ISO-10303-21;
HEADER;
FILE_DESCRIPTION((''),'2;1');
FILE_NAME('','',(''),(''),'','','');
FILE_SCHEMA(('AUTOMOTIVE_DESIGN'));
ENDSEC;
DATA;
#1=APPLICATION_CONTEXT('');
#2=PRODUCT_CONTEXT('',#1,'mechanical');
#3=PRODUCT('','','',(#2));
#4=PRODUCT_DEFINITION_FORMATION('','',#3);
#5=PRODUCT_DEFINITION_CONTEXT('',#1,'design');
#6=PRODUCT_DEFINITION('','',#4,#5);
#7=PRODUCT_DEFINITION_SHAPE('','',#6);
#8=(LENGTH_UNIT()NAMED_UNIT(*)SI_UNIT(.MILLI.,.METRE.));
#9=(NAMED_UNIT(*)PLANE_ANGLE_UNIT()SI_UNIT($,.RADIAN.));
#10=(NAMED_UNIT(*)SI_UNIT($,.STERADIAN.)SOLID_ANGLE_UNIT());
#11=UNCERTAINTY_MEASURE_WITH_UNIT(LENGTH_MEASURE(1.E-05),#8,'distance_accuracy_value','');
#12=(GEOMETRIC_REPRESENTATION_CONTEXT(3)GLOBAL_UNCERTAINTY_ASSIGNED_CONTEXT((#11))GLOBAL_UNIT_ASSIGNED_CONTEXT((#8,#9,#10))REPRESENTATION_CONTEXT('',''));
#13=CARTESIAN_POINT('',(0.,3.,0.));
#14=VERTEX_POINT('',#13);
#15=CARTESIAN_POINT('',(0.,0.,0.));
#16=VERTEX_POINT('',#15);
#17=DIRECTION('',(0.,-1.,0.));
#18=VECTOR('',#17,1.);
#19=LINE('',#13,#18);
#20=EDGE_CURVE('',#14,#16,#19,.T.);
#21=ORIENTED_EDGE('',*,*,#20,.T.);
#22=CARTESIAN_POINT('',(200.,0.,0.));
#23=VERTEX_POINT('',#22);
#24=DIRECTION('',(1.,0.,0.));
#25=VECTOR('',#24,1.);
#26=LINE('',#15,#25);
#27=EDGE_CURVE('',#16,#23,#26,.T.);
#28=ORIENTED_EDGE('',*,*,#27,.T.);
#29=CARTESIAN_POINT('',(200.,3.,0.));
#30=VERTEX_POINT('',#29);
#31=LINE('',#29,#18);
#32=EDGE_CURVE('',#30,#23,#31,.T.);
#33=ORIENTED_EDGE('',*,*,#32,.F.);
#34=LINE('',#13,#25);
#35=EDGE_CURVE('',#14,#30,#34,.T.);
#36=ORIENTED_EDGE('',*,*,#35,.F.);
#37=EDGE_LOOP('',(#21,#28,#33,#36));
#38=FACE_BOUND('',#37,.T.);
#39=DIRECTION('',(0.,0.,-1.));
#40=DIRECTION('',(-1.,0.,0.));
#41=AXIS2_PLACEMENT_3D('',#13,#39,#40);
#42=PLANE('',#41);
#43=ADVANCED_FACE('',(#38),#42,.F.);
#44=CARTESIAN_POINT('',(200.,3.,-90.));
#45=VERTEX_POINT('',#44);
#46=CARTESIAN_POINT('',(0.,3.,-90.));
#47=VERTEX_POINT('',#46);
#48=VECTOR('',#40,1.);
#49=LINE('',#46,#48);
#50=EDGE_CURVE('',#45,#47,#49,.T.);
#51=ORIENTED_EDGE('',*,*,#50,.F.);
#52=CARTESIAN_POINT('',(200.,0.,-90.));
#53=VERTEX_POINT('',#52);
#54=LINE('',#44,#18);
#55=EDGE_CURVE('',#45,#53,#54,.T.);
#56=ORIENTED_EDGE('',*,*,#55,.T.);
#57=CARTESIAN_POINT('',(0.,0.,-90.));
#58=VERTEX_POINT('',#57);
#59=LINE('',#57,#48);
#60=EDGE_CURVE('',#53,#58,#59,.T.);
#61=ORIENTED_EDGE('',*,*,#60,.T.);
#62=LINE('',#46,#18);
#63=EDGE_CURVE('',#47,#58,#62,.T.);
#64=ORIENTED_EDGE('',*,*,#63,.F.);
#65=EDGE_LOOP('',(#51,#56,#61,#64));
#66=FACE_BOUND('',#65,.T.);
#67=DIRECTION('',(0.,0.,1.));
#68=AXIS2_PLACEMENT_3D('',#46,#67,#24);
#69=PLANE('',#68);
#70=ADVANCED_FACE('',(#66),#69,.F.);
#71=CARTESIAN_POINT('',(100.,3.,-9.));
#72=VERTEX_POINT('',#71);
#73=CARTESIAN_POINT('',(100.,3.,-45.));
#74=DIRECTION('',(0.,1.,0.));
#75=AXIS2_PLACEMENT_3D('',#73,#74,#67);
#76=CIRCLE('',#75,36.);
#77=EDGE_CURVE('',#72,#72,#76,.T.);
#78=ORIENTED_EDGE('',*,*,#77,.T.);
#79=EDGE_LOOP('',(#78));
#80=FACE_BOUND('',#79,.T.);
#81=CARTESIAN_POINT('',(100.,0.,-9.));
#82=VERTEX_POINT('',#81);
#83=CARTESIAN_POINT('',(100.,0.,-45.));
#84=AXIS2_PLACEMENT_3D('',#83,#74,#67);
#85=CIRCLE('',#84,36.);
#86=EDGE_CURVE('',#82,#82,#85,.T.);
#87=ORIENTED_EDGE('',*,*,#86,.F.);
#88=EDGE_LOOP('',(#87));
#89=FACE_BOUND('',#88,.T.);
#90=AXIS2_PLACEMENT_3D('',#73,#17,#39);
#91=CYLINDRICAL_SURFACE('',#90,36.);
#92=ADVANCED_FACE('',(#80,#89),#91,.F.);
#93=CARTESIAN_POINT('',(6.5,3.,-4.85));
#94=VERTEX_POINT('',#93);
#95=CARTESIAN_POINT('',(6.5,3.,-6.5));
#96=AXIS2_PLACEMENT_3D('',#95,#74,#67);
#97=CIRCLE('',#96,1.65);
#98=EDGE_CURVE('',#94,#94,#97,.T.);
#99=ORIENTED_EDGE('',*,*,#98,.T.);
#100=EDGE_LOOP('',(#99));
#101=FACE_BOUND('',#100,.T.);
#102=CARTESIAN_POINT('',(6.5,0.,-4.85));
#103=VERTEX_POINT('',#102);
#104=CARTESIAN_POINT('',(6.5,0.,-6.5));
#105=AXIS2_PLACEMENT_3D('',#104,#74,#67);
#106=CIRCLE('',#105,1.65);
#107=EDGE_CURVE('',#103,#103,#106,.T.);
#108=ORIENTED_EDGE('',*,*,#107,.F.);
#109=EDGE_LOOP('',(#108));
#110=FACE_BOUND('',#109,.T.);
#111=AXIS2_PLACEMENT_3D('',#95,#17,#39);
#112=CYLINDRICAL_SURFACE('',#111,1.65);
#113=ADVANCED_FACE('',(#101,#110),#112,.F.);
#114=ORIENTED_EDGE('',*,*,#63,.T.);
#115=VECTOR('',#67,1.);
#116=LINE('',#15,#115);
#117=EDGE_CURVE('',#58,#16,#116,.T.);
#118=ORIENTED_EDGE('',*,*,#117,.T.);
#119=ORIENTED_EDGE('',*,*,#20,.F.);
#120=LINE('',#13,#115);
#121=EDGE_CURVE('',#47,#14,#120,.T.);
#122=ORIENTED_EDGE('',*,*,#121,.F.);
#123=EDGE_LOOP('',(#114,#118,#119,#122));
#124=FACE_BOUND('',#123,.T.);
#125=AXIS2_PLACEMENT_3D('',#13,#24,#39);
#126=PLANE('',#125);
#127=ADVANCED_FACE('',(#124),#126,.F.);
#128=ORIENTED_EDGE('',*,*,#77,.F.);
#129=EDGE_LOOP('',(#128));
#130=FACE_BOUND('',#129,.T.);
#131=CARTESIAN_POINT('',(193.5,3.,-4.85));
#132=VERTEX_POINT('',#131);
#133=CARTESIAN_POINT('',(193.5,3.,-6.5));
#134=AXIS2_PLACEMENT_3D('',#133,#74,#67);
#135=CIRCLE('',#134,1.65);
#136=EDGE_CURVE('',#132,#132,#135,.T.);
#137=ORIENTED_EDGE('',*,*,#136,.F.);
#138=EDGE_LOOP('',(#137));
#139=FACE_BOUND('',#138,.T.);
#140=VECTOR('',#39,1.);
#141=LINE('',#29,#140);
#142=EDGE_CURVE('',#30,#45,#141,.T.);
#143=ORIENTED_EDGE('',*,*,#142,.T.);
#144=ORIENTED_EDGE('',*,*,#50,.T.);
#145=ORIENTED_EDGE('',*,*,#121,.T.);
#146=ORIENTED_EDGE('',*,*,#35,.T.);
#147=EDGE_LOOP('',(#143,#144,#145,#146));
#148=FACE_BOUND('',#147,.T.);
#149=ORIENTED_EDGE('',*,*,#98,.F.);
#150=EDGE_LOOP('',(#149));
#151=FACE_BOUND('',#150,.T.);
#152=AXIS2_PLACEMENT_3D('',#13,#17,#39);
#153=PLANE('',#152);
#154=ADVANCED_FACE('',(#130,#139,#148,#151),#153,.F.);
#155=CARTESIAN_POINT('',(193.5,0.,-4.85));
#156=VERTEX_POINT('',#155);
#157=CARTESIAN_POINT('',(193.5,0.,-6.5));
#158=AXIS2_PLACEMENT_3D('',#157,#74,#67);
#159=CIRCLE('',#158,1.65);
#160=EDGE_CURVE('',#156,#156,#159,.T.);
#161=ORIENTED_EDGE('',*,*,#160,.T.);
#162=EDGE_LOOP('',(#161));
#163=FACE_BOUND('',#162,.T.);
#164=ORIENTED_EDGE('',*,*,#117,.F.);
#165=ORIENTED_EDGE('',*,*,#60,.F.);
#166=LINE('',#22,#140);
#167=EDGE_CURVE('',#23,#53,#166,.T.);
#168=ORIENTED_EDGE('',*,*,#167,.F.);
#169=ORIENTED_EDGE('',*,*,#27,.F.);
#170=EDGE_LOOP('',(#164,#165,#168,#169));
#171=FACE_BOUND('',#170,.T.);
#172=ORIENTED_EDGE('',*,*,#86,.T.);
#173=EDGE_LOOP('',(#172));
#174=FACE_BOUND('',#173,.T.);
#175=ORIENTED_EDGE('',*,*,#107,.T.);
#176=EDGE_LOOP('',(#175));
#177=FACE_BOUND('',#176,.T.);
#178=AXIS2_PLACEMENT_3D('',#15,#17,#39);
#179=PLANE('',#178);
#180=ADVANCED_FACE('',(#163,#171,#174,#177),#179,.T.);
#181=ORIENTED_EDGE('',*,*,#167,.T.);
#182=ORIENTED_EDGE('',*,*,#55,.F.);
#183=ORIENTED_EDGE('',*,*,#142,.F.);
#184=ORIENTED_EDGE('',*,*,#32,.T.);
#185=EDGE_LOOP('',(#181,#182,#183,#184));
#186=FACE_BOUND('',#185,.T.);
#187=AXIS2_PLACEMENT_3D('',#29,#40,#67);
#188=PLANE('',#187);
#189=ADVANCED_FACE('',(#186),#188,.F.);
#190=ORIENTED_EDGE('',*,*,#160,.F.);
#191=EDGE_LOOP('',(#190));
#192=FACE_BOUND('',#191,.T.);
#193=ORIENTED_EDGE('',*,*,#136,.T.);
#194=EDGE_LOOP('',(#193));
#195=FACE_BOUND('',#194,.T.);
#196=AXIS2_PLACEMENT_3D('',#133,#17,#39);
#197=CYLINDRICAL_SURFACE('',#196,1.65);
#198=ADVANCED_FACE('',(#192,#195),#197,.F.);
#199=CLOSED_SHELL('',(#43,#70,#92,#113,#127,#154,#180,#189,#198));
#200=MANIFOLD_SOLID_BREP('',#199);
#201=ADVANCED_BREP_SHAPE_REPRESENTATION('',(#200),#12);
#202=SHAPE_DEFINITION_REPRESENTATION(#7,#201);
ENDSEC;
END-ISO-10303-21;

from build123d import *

# Parameters (mm, degrees)
SKETCH1_W           = 200
SKETCH1_H           = 90
SKETCH1_R           = 36
SKETCH1_R_2         = 1.65
BOSS_EXTRUDE1_DEPTH = 3


with BuildPart() as part:
    # Sketch1 → Boss-Extrude1 (new body)
    with BuildSketch(Plane(origin=(0, 0, 0), x_dir=(1, 0, 0), z_dir=(0, 1, 0))):
        with Locations((100, 45)):
            Rectangle(SKETCH1_W, SKETCH1_H)
        with Locations(Location((100, 45, 0), (0, 0, 270))):
            Circle(SKETCH1_R, mode=Mode.SUBTRACT)
        with Locations(Location((6.5, 6.5, 0), (0, 0, 270))):
            Circle(SKETCH1_R_2, mode=Mode.SUBTRACT)
        with Locations(Location((193.5, 6.5, 0), (0, 0, 270))):
            Circle(SKETCH1_R_2, mode=Mode.SUBTRACT)
    extrude(amount=BOSS_EXTRUDE1_DEPTH)


solid = part.part
